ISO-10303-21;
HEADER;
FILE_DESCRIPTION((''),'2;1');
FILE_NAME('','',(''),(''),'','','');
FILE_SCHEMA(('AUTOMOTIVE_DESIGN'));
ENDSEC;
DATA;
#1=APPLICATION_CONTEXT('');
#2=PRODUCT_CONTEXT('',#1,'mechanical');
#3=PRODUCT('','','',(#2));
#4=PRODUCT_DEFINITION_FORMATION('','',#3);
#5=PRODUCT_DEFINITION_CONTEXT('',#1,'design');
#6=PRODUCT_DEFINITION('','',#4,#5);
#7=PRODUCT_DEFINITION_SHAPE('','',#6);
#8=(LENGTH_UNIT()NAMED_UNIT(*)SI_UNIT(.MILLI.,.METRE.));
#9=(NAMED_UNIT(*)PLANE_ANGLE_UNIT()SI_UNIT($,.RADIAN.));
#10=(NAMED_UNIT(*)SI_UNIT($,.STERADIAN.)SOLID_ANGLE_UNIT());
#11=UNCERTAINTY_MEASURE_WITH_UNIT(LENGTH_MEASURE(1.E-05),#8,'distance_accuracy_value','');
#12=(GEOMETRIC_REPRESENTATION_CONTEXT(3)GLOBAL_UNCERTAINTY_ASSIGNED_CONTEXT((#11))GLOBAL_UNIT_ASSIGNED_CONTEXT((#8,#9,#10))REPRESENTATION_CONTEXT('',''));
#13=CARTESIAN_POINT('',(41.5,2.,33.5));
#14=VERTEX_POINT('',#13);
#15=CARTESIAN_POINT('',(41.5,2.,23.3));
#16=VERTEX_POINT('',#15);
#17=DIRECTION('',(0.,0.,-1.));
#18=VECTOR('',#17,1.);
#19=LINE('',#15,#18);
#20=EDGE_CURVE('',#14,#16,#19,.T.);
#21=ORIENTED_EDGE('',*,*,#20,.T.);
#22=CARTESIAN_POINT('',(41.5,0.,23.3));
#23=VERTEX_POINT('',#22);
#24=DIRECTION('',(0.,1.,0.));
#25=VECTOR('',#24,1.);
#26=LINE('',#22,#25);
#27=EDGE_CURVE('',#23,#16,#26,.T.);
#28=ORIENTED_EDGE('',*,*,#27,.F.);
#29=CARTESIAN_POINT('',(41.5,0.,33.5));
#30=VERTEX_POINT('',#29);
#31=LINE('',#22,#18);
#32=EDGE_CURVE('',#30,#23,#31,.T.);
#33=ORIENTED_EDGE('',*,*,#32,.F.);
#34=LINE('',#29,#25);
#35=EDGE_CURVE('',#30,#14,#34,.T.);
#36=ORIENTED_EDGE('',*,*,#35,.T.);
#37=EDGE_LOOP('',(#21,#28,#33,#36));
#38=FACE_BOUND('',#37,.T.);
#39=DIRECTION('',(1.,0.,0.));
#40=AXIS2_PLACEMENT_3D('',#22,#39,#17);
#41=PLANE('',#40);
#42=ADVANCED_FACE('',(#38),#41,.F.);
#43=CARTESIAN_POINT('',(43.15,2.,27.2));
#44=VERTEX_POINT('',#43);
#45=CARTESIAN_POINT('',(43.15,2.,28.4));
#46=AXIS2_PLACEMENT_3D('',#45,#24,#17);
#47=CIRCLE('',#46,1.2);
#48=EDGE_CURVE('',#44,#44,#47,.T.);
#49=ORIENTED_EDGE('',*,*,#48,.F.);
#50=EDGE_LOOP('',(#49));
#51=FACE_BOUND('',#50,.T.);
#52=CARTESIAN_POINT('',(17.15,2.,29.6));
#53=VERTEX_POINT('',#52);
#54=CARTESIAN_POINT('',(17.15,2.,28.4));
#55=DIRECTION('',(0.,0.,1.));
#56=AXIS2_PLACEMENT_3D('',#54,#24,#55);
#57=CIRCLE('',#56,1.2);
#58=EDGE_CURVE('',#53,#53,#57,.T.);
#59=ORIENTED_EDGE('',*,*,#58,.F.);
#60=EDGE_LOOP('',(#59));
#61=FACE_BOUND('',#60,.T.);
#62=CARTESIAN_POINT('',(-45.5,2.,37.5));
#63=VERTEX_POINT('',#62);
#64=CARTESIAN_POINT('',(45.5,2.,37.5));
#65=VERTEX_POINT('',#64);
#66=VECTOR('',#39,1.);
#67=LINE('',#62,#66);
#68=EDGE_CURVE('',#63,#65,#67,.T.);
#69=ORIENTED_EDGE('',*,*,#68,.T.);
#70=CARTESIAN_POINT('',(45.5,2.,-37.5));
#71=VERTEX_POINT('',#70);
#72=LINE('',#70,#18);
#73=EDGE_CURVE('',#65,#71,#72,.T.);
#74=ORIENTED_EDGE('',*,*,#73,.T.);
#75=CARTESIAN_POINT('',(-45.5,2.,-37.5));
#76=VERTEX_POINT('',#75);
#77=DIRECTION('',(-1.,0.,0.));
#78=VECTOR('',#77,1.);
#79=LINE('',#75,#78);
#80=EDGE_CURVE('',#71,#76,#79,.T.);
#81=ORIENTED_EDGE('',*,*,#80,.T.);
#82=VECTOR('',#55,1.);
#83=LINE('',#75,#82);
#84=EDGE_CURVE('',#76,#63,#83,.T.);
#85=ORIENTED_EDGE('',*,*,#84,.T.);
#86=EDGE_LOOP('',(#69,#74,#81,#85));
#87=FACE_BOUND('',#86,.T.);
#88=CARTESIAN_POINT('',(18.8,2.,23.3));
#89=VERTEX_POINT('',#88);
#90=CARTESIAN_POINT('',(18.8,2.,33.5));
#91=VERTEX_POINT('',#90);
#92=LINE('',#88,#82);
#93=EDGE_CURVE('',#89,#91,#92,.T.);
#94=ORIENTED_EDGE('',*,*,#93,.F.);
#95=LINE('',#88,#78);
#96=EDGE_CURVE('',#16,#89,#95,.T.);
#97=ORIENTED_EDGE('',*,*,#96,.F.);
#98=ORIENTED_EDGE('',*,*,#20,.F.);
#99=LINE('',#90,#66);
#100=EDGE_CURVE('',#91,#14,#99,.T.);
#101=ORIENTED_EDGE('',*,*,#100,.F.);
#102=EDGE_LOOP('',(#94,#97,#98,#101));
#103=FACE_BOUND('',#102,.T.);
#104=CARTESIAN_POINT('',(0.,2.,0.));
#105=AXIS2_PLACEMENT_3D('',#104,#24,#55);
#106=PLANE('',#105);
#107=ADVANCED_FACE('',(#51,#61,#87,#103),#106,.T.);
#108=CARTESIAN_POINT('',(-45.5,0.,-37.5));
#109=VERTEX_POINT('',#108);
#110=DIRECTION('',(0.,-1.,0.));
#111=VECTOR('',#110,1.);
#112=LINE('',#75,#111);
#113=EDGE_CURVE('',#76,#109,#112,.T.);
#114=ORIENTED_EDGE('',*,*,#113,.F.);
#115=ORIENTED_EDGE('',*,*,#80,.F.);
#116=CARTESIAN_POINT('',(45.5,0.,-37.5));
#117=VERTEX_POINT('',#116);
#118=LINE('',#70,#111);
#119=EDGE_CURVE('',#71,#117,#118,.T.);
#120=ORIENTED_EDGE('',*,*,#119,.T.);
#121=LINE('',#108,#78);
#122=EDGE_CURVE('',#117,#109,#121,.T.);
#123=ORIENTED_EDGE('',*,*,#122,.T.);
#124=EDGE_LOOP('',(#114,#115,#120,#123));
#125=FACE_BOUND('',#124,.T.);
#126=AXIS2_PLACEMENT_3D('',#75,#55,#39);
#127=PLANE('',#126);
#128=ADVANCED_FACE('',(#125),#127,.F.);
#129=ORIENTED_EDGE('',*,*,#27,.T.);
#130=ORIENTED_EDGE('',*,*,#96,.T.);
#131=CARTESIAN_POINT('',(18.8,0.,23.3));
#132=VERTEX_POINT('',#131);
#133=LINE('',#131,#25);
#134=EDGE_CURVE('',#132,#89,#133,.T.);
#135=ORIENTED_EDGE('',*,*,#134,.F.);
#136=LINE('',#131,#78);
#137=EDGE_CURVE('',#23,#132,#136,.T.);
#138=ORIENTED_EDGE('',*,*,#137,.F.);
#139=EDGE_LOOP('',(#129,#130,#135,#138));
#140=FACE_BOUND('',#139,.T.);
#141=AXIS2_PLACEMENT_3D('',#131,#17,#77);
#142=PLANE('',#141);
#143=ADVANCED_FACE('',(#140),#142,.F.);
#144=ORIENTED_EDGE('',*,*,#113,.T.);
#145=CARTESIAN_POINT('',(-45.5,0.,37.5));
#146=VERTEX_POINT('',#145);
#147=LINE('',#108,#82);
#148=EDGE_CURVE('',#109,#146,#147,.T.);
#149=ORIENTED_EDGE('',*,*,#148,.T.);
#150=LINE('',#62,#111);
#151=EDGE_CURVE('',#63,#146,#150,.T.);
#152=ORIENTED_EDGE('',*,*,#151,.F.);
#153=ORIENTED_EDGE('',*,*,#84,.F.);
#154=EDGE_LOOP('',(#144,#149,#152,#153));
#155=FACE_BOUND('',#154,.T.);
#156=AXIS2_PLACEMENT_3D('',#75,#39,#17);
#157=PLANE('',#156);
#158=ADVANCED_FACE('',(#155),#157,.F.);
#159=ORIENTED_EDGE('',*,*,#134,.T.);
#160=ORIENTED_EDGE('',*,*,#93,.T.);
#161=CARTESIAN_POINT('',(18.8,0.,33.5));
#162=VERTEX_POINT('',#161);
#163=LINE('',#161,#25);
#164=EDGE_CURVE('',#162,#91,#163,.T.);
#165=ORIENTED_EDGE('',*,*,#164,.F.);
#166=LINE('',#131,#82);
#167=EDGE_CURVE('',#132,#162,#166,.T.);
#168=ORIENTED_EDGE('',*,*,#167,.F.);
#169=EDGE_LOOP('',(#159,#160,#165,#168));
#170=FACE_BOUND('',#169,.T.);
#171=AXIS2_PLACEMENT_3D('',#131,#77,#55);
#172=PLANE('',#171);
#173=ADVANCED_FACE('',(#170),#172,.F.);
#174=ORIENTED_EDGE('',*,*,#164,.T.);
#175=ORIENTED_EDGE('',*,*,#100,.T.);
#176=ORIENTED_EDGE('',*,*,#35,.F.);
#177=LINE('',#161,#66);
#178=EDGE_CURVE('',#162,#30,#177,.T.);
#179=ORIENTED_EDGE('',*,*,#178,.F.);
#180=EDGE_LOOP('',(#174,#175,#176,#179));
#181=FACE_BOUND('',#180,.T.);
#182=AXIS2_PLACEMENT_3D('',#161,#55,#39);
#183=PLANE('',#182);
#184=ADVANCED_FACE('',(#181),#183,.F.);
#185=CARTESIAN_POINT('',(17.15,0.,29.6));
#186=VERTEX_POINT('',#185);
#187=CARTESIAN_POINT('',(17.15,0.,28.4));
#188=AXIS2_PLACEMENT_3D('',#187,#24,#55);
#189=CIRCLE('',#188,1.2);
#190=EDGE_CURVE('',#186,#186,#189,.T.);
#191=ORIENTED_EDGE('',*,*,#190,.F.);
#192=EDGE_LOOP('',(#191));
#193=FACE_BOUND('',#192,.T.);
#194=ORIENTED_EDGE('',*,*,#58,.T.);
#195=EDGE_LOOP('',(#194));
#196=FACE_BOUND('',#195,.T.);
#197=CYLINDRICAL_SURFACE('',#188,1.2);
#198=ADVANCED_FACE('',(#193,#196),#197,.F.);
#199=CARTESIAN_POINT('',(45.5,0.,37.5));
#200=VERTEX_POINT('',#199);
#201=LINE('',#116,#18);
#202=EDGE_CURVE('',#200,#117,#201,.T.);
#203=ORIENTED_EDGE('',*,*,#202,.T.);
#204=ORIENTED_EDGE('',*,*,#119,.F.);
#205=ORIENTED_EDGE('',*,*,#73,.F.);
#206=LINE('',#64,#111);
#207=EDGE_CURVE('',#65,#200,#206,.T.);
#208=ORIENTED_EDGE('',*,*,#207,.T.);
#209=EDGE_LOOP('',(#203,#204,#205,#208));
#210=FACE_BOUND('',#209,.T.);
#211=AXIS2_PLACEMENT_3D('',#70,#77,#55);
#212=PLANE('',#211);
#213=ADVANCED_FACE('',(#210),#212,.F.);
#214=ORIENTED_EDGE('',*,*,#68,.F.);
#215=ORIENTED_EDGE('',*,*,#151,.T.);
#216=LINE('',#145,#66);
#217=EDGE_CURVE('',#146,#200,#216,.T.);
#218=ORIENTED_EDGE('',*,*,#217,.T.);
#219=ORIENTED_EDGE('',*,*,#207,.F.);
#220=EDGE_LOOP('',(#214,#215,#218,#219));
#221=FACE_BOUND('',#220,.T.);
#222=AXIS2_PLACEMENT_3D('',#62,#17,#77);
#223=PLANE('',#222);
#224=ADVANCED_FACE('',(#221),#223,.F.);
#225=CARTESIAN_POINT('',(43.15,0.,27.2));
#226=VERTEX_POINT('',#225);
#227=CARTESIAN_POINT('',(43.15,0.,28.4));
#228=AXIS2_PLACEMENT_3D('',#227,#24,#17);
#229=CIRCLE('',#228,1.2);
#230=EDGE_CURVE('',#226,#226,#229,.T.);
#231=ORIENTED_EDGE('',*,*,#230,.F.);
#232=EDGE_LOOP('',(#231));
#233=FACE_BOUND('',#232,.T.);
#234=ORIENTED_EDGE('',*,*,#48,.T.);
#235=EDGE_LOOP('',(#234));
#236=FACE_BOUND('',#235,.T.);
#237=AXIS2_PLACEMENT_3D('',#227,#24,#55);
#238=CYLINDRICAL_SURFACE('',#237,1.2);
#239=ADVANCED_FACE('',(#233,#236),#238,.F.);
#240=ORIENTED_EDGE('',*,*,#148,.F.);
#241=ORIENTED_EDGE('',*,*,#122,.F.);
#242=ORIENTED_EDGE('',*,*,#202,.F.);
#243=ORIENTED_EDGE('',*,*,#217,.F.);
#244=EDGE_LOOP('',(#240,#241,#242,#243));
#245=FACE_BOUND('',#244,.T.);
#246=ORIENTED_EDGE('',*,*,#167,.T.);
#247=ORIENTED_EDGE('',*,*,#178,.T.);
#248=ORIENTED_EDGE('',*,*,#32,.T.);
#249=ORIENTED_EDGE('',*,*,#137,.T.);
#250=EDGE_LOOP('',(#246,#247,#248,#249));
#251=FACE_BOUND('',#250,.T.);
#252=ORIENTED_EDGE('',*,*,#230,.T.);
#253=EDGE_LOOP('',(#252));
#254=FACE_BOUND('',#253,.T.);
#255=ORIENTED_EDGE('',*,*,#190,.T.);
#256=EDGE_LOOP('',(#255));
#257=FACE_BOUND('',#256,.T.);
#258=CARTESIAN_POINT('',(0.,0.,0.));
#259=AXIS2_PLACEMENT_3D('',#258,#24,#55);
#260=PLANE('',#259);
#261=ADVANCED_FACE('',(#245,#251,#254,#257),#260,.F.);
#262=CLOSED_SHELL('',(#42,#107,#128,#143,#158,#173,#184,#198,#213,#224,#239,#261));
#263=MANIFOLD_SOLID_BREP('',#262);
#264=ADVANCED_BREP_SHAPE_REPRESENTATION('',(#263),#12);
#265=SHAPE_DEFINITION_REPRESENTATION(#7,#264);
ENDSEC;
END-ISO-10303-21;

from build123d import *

# Parameters (mm, degrees)
SKETCH_1_W          = 91
SKETCH_1_H          = 75
EXTRUDE_1_DEPTH     = 2
SKETCH_2_R          = 1.2
SKETCH_2_W          = 22.7
SKETCH_2_H          = 10.2
CUT_EXTRUDE_1_DEPTH = 2


with BuildPart() as part:
    # 草图1 → 凸台-拉伸1 (new body)
    with BuildSketch(Plane(origin=(0, 0, 0), x_dir=(1, 0, 0), z_dir=(0, 1, 0))):
        Rectangle(SKETCH_1_W, SKETCH_1_H)
    extrude(amount=EXTRUDE_1_DEPTH)

    # 草图2 → 切除-拉伸1 (cut)
    with BuildSketch(Plane(origin=(0, 2, 0), x_dir=(1, 0, 0), z_dir=(0, 1, 0))):
        with Locations(Location((17.15, -28.4, 0), (0, 0, 270))):
            Circle(SKETCH_2_R)
        with Locations(Location((43.15, -28.4, 0), (0, 0, 90))):
            Circle(SKETCH_2_R)
        with Locations((30.15, -28.4)):
            Rectangle(SKETCH_2_W, SKETCH_2_H)
    extrude(amount=-CUT_EXTRUDE_1_DEPTH, mode=Mode.SUBTRACT)


solid = part.part
